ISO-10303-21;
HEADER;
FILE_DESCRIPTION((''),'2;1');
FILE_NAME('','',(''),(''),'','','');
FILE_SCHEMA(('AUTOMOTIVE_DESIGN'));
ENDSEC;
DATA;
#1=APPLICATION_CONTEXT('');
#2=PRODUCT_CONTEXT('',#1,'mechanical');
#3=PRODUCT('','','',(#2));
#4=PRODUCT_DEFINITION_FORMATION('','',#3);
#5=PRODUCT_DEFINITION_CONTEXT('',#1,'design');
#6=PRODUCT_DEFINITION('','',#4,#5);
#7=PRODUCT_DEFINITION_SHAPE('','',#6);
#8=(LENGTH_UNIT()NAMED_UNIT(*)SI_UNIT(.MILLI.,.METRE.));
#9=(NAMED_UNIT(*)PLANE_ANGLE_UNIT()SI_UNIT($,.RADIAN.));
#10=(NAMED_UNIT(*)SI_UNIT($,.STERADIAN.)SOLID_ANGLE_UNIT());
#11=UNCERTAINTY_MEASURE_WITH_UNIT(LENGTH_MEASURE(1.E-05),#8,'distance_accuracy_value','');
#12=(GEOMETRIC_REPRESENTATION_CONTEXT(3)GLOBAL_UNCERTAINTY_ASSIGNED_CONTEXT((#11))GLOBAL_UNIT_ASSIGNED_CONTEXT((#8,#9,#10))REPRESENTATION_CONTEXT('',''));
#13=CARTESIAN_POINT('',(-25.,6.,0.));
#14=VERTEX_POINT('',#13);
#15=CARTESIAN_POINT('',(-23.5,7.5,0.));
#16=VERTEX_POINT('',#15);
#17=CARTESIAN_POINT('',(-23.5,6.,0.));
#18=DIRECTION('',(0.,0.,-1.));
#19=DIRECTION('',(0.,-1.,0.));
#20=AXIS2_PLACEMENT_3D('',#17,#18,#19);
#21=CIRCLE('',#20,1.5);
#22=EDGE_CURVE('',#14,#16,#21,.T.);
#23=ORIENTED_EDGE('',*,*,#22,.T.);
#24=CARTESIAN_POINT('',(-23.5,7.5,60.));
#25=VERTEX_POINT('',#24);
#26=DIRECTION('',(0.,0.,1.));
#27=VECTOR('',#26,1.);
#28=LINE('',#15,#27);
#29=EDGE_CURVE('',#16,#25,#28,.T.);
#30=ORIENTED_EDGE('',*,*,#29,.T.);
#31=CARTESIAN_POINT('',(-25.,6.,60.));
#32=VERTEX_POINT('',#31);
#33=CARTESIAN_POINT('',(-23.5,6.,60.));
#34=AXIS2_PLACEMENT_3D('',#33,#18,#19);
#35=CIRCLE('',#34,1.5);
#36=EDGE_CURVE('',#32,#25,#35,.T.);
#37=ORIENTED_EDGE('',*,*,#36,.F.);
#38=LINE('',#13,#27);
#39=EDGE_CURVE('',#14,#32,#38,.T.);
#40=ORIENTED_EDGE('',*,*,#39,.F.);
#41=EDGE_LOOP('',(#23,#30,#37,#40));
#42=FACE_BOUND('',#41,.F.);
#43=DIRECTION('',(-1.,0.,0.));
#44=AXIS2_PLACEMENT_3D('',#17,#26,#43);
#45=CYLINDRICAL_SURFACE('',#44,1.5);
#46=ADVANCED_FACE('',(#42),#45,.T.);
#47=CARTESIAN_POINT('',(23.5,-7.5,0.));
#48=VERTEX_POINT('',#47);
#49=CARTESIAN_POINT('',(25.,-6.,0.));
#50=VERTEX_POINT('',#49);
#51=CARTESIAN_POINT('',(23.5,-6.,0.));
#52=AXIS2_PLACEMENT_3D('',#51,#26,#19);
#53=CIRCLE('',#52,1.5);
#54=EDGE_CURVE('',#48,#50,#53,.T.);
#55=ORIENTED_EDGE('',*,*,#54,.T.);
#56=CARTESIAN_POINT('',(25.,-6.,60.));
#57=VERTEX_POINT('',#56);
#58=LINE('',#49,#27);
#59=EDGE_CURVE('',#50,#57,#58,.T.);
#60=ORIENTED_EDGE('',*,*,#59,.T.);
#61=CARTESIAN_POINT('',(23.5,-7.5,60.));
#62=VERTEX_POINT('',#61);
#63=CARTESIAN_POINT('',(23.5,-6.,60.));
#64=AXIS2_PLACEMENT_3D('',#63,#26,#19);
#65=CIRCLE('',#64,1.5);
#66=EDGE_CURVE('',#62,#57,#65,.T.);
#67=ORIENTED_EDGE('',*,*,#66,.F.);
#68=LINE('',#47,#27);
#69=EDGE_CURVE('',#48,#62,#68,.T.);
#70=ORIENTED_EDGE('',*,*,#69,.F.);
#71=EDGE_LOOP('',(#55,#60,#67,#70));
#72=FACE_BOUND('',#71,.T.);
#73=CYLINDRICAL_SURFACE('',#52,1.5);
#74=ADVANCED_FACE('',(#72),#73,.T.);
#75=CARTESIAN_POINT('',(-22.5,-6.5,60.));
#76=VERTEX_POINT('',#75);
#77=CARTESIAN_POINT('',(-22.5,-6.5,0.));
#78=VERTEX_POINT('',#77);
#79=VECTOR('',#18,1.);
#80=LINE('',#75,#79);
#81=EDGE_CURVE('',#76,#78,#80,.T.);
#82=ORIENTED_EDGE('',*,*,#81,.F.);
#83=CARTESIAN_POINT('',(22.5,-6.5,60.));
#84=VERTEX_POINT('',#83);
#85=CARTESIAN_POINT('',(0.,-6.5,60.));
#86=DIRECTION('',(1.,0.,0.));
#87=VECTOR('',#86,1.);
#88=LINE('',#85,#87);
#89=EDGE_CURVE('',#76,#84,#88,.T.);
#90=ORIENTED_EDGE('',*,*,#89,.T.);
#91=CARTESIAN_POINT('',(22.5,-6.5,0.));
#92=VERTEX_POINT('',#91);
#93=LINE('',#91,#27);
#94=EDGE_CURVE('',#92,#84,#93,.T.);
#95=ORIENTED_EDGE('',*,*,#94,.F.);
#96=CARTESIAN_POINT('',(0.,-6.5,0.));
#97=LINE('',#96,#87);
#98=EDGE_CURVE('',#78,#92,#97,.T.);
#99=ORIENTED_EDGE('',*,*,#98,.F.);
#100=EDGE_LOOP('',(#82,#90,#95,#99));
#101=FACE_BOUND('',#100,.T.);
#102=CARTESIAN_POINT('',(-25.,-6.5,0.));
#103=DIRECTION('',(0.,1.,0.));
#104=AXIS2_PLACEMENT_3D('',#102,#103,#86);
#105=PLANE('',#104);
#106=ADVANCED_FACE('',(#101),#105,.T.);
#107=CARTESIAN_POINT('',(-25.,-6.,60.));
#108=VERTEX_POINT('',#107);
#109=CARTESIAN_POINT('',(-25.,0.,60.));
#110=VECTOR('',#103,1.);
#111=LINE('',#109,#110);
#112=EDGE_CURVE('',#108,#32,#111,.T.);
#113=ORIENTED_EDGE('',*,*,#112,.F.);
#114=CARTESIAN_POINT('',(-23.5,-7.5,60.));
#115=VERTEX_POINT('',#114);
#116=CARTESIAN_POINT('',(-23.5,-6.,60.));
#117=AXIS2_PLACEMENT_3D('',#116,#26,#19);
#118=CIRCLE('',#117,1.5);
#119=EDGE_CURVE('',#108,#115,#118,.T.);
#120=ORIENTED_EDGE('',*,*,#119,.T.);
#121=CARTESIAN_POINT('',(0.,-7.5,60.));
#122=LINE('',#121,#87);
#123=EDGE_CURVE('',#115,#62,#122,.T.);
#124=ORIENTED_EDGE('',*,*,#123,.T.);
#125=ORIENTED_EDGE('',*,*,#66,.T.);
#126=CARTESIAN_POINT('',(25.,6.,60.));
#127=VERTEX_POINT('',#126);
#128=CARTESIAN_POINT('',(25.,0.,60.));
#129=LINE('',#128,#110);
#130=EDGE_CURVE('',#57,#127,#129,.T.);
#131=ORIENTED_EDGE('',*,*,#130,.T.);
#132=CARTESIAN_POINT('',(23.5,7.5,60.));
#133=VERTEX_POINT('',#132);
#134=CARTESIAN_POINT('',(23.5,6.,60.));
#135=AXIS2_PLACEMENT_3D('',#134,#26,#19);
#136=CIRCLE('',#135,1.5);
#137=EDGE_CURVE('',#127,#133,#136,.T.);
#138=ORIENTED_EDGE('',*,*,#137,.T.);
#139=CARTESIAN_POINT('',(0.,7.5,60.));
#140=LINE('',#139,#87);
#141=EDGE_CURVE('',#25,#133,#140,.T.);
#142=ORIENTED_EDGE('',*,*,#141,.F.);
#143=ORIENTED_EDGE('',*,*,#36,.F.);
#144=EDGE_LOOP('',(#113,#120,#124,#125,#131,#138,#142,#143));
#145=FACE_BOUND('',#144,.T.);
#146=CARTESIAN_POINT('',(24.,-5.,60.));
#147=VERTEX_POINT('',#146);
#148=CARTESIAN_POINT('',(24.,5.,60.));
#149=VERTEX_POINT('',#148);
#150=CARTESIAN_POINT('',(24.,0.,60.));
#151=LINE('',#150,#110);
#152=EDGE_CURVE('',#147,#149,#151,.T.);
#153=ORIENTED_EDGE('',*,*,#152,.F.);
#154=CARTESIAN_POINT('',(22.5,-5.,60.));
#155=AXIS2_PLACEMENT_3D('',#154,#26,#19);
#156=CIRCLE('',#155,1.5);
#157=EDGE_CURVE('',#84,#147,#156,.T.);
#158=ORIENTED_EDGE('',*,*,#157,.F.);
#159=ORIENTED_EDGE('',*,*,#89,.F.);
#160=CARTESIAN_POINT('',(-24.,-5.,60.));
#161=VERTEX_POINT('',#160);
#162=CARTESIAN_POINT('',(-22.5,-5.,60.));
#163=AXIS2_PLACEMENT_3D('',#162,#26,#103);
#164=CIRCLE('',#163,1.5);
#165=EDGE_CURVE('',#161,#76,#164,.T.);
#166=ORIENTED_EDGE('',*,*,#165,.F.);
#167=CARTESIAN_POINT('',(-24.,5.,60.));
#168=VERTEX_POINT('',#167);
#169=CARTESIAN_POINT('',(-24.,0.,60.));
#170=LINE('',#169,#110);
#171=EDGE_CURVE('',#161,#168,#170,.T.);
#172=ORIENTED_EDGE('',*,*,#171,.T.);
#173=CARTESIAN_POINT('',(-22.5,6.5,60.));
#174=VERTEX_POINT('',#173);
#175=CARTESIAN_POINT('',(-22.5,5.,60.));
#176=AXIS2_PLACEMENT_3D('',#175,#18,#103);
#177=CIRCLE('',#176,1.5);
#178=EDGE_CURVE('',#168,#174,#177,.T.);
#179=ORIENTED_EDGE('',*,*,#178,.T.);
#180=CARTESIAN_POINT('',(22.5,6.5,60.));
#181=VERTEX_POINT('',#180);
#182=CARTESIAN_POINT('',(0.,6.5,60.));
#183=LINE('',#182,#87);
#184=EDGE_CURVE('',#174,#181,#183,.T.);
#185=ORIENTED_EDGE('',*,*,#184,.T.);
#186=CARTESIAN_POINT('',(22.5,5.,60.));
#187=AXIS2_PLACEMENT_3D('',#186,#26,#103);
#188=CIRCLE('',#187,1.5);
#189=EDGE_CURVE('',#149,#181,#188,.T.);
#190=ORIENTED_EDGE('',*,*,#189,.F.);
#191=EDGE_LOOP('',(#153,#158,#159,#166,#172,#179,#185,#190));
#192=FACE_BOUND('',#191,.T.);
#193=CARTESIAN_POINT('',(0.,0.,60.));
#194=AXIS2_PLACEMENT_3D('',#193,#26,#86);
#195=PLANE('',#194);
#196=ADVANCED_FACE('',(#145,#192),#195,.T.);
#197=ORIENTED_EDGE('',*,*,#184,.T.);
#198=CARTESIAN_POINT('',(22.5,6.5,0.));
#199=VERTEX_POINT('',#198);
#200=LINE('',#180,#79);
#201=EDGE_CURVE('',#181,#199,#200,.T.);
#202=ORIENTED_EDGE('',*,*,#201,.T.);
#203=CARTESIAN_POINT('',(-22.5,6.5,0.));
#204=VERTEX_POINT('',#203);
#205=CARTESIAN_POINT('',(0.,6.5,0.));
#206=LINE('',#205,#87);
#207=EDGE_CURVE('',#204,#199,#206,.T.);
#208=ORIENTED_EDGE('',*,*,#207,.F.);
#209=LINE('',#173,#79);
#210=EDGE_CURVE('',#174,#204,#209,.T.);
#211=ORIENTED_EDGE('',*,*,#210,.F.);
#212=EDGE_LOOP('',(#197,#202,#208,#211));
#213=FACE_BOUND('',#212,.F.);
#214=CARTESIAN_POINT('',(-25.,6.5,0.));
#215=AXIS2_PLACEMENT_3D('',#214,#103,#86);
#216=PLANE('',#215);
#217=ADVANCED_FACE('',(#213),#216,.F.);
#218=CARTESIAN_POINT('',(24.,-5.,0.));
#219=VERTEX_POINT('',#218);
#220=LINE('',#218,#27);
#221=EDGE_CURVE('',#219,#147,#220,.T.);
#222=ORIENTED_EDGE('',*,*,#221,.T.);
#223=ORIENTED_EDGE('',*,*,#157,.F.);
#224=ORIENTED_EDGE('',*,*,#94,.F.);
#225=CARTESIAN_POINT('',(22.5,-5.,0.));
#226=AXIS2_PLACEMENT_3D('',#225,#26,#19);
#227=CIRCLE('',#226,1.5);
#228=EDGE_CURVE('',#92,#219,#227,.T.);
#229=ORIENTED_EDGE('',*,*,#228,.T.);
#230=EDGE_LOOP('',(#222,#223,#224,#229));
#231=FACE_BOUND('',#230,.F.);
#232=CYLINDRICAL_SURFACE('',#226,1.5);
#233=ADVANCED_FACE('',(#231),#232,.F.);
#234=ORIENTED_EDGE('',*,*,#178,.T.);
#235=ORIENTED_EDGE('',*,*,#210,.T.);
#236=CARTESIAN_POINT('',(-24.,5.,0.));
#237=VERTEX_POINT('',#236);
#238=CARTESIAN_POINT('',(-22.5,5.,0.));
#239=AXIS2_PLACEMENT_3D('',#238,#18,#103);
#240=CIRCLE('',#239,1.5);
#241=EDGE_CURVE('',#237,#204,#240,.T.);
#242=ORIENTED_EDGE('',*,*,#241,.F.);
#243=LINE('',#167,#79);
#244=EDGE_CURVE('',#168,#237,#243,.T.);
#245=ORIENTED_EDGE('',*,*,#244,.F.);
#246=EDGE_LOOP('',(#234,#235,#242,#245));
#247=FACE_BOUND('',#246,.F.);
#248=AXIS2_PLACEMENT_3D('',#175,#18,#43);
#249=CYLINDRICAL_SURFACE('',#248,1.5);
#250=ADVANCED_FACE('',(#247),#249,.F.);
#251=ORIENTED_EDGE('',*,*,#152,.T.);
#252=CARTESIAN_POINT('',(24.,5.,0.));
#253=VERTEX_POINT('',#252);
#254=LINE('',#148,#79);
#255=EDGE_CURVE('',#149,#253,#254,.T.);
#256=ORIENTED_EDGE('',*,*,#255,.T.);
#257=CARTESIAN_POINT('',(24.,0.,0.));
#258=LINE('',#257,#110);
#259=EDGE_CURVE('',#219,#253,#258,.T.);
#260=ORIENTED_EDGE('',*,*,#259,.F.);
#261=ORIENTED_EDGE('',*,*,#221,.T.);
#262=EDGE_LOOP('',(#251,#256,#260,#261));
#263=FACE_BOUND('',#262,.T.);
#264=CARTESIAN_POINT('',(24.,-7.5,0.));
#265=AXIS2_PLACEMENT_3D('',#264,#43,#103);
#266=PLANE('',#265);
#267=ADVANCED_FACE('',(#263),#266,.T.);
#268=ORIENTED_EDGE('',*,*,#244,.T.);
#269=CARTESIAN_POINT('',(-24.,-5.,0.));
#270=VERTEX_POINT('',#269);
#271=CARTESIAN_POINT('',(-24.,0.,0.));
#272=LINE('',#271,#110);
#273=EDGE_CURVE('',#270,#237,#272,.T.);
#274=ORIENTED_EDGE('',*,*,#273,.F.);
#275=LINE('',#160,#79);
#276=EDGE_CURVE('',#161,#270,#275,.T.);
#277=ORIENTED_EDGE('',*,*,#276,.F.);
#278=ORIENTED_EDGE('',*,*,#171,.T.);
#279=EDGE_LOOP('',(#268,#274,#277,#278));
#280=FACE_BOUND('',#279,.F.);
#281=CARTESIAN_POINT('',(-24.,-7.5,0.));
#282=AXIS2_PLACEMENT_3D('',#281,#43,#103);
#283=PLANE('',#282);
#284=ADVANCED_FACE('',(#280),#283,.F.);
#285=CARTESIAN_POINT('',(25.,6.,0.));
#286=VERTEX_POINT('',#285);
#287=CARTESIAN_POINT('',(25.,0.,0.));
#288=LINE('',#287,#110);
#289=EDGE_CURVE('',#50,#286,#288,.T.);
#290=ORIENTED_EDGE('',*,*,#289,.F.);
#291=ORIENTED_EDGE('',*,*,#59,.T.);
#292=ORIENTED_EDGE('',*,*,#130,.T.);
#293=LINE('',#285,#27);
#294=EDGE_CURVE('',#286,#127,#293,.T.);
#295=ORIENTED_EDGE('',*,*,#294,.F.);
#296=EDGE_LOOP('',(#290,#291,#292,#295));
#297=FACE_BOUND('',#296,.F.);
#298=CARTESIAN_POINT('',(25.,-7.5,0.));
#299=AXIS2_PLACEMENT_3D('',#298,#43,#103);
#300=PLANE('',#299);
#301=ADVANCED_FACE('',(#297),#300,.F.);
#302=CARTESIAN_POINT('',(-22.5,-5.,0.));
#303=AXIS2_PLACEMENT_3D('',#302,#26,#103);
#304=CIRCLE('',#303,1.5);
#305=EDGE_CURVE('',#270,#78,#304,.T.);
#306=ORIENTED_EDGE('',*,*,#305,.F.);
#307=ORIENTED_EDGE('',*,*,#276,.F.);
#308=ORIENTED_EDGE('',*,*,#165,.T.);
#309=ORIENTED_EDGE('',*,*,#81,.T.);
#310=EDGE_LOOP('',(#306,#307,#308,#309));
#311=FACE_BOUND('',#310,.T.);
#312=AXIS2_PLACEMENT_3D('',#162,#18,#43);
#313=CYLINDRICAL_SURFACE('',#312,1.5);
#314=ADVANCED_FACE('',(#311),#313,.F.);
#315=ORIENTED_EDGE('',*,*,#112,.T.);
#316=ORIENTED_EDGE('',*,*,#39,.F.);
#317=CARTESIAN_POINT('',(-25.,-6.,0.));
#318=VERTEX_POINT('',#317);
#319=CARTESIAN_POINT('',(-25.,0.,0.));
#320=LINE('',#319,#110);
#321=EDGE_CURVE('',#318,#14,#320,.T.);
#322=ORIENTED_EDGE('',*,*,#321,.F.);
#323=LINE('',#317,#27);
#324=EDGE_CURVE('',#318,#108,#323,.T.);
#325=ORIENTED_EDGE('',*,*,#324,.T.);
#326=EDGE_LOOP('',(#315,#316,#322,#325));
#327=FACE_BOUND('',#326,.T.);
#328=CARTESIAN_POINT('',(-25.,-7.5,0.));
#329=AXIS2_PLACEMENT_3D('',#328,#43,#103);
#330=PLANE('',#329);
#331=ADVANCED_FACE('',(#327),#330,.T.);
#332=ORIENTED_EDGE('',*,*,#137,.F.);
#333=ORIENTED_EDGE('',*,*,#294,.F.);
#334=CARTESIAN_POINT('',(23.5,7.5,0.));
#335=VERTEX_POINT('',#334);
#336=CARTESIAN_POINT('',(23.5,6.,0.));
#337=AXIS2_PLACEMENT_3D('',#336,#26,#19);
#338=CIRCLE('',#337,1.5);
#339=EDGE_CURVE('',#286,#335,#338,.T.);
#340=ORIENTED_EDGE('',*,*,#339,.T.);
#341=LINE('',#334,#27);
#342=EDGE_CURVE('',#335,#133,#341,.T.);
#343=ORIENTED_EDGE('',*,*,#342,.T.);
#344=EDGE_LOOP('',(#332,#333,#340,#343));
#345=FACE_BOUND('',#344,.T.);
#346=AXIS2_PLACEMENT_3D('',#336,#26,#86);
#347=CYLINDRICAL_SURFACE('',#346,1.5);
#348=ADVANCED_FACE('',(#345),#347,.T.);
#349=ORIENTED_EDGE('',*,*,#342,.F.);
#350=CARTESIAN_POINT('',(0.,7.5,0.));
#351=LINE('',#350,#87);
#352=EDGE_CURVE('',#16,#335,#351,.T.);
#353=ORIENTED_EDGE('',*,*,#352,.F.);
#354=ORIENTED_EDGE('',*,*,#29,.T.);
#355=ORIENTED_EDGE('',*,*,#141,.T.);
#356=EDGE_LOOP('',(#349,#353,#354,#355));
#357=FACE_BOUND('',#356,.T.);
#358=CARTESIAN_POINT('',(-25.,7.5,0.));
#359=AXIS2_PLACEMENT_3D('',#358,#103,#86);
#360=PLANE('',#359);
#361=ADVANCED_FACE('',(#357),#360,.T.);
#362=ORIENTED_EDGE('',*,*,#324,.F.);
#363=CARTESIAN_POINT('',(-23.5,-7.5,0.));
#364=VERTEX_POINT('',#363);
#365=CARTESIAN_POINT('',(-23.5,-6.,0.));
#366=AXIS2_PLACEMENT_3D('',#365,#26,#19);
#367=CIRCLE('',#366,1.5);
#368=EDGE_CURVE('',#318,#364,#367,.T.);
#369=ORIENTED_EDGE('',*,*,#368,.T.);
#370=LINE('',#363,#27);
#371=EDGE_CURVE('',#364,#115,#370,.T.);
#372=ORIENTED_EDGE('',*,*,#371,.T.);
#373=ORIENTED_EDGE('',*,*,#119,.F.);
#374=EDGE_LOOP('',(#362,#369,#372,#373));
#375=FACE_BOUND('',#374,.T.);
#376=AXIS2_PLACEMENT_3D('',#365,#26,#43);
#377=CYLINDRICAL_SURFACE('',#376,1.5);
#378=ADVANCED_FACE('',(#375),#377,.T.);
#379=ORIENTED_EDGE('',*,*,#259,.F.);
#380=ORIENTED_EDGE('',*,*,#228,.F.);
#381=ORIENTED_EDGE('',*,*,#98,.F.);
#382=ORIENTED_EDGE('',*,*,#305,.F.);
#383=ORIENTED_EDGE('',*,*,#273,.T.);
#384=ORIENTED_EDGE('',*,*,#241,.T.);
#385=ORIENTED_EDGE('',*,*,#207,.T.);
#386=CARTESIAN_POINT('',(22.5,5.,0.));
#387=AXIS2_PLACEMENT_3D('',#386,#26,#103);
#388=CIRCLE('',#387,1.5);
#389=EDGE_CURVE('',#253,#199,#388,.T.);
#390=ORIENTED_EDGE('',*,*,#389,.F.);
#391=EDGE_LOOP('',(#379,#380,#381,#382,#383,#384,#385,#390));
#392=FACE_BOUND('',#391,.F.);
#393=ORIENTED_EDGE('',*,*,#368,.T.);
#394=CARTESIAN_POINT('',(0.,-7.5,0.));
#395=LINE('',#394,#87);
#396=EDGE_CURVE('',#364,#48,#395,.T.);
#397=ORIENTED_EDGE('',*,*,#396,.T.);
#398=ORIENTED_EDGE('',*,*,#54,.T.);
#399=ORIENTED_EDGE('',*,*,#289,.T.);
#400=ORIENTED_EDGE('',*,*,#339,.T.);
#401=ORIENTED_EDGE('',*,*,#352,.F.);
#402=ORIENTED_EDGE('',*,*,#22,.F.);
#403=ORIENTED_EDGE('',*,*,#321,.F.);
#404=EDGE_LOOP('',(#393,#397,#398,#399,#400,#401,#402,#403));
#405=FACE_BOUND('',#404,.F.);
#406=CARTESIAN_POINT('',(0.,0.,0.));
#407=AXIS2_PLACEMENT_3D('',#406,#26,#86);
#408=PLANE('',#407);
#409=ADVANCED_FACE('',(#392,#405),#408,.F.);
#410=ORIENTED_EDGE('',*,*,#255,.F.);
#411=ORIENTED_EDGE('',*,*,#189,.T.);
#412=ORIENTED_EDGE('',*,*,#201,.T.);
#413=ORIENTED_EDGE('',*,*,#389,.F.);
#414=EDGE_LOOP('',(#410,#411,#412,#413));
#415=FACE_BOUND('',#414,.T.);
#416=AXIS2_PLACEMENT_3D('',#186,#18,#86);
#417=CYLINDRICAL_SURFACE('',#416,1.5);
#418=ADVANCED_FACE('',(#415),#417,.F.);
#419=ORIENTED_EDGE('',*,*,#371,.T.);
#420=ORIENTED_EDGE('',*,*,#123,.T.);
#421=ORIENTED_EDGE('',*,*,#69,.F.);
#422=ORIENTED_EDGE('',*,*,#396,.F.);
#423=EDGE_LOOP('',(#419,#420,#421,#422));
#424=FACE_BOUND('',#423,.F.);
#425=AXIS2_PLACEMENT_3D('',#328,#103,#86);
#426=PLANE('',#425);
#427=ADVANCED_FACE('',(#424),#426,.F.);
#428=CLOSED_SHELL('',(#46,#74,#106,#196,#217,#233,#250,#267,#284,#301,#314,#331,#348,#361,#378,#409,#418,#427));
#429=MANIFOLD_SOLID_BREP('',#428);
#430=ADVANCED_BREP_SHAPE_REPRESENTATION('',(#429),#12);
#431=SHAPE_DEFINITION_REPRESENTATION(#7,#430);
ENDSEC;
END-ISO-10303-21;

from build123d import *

# Parameters (mm, degrees)
F0_W     = 50
F0_H     = 15
F1_DEPTH = 60
F2_T     = -1
F3_R     = 1.5


with BuildPart() as f1:
    # F0 (on Top) → F1 (new body)
    with BuildSketch(Plane.XY):
        Rectangle(F0_W, F0_H)
    extrude(amount=F1_DEPTH)

    # F2
    f2_openings = [f1.faces().sort_by_distance(p)[0] for p in [
        (0, 0, 60),
        (0, 0, 0),
    ]]
    offset(amount=F2_T, openings=f2_openings)

    # F3
    f3_edges = [f1.edges().sort_by_distance(p)[0] for p in [
        (25, 7.5, 30),
        (25, -7.5, 30),
        (-25, 7.5, 30),
        (-25, -7.5, 30),
        (-24, -6.5, 30),
        (24, -6.5, 30),
        (-24, 6.5, 30),
        (24, 6.5, 30),
    ]]
    fillet(f3_edges, radius=F3_R)


solid = f1.part
